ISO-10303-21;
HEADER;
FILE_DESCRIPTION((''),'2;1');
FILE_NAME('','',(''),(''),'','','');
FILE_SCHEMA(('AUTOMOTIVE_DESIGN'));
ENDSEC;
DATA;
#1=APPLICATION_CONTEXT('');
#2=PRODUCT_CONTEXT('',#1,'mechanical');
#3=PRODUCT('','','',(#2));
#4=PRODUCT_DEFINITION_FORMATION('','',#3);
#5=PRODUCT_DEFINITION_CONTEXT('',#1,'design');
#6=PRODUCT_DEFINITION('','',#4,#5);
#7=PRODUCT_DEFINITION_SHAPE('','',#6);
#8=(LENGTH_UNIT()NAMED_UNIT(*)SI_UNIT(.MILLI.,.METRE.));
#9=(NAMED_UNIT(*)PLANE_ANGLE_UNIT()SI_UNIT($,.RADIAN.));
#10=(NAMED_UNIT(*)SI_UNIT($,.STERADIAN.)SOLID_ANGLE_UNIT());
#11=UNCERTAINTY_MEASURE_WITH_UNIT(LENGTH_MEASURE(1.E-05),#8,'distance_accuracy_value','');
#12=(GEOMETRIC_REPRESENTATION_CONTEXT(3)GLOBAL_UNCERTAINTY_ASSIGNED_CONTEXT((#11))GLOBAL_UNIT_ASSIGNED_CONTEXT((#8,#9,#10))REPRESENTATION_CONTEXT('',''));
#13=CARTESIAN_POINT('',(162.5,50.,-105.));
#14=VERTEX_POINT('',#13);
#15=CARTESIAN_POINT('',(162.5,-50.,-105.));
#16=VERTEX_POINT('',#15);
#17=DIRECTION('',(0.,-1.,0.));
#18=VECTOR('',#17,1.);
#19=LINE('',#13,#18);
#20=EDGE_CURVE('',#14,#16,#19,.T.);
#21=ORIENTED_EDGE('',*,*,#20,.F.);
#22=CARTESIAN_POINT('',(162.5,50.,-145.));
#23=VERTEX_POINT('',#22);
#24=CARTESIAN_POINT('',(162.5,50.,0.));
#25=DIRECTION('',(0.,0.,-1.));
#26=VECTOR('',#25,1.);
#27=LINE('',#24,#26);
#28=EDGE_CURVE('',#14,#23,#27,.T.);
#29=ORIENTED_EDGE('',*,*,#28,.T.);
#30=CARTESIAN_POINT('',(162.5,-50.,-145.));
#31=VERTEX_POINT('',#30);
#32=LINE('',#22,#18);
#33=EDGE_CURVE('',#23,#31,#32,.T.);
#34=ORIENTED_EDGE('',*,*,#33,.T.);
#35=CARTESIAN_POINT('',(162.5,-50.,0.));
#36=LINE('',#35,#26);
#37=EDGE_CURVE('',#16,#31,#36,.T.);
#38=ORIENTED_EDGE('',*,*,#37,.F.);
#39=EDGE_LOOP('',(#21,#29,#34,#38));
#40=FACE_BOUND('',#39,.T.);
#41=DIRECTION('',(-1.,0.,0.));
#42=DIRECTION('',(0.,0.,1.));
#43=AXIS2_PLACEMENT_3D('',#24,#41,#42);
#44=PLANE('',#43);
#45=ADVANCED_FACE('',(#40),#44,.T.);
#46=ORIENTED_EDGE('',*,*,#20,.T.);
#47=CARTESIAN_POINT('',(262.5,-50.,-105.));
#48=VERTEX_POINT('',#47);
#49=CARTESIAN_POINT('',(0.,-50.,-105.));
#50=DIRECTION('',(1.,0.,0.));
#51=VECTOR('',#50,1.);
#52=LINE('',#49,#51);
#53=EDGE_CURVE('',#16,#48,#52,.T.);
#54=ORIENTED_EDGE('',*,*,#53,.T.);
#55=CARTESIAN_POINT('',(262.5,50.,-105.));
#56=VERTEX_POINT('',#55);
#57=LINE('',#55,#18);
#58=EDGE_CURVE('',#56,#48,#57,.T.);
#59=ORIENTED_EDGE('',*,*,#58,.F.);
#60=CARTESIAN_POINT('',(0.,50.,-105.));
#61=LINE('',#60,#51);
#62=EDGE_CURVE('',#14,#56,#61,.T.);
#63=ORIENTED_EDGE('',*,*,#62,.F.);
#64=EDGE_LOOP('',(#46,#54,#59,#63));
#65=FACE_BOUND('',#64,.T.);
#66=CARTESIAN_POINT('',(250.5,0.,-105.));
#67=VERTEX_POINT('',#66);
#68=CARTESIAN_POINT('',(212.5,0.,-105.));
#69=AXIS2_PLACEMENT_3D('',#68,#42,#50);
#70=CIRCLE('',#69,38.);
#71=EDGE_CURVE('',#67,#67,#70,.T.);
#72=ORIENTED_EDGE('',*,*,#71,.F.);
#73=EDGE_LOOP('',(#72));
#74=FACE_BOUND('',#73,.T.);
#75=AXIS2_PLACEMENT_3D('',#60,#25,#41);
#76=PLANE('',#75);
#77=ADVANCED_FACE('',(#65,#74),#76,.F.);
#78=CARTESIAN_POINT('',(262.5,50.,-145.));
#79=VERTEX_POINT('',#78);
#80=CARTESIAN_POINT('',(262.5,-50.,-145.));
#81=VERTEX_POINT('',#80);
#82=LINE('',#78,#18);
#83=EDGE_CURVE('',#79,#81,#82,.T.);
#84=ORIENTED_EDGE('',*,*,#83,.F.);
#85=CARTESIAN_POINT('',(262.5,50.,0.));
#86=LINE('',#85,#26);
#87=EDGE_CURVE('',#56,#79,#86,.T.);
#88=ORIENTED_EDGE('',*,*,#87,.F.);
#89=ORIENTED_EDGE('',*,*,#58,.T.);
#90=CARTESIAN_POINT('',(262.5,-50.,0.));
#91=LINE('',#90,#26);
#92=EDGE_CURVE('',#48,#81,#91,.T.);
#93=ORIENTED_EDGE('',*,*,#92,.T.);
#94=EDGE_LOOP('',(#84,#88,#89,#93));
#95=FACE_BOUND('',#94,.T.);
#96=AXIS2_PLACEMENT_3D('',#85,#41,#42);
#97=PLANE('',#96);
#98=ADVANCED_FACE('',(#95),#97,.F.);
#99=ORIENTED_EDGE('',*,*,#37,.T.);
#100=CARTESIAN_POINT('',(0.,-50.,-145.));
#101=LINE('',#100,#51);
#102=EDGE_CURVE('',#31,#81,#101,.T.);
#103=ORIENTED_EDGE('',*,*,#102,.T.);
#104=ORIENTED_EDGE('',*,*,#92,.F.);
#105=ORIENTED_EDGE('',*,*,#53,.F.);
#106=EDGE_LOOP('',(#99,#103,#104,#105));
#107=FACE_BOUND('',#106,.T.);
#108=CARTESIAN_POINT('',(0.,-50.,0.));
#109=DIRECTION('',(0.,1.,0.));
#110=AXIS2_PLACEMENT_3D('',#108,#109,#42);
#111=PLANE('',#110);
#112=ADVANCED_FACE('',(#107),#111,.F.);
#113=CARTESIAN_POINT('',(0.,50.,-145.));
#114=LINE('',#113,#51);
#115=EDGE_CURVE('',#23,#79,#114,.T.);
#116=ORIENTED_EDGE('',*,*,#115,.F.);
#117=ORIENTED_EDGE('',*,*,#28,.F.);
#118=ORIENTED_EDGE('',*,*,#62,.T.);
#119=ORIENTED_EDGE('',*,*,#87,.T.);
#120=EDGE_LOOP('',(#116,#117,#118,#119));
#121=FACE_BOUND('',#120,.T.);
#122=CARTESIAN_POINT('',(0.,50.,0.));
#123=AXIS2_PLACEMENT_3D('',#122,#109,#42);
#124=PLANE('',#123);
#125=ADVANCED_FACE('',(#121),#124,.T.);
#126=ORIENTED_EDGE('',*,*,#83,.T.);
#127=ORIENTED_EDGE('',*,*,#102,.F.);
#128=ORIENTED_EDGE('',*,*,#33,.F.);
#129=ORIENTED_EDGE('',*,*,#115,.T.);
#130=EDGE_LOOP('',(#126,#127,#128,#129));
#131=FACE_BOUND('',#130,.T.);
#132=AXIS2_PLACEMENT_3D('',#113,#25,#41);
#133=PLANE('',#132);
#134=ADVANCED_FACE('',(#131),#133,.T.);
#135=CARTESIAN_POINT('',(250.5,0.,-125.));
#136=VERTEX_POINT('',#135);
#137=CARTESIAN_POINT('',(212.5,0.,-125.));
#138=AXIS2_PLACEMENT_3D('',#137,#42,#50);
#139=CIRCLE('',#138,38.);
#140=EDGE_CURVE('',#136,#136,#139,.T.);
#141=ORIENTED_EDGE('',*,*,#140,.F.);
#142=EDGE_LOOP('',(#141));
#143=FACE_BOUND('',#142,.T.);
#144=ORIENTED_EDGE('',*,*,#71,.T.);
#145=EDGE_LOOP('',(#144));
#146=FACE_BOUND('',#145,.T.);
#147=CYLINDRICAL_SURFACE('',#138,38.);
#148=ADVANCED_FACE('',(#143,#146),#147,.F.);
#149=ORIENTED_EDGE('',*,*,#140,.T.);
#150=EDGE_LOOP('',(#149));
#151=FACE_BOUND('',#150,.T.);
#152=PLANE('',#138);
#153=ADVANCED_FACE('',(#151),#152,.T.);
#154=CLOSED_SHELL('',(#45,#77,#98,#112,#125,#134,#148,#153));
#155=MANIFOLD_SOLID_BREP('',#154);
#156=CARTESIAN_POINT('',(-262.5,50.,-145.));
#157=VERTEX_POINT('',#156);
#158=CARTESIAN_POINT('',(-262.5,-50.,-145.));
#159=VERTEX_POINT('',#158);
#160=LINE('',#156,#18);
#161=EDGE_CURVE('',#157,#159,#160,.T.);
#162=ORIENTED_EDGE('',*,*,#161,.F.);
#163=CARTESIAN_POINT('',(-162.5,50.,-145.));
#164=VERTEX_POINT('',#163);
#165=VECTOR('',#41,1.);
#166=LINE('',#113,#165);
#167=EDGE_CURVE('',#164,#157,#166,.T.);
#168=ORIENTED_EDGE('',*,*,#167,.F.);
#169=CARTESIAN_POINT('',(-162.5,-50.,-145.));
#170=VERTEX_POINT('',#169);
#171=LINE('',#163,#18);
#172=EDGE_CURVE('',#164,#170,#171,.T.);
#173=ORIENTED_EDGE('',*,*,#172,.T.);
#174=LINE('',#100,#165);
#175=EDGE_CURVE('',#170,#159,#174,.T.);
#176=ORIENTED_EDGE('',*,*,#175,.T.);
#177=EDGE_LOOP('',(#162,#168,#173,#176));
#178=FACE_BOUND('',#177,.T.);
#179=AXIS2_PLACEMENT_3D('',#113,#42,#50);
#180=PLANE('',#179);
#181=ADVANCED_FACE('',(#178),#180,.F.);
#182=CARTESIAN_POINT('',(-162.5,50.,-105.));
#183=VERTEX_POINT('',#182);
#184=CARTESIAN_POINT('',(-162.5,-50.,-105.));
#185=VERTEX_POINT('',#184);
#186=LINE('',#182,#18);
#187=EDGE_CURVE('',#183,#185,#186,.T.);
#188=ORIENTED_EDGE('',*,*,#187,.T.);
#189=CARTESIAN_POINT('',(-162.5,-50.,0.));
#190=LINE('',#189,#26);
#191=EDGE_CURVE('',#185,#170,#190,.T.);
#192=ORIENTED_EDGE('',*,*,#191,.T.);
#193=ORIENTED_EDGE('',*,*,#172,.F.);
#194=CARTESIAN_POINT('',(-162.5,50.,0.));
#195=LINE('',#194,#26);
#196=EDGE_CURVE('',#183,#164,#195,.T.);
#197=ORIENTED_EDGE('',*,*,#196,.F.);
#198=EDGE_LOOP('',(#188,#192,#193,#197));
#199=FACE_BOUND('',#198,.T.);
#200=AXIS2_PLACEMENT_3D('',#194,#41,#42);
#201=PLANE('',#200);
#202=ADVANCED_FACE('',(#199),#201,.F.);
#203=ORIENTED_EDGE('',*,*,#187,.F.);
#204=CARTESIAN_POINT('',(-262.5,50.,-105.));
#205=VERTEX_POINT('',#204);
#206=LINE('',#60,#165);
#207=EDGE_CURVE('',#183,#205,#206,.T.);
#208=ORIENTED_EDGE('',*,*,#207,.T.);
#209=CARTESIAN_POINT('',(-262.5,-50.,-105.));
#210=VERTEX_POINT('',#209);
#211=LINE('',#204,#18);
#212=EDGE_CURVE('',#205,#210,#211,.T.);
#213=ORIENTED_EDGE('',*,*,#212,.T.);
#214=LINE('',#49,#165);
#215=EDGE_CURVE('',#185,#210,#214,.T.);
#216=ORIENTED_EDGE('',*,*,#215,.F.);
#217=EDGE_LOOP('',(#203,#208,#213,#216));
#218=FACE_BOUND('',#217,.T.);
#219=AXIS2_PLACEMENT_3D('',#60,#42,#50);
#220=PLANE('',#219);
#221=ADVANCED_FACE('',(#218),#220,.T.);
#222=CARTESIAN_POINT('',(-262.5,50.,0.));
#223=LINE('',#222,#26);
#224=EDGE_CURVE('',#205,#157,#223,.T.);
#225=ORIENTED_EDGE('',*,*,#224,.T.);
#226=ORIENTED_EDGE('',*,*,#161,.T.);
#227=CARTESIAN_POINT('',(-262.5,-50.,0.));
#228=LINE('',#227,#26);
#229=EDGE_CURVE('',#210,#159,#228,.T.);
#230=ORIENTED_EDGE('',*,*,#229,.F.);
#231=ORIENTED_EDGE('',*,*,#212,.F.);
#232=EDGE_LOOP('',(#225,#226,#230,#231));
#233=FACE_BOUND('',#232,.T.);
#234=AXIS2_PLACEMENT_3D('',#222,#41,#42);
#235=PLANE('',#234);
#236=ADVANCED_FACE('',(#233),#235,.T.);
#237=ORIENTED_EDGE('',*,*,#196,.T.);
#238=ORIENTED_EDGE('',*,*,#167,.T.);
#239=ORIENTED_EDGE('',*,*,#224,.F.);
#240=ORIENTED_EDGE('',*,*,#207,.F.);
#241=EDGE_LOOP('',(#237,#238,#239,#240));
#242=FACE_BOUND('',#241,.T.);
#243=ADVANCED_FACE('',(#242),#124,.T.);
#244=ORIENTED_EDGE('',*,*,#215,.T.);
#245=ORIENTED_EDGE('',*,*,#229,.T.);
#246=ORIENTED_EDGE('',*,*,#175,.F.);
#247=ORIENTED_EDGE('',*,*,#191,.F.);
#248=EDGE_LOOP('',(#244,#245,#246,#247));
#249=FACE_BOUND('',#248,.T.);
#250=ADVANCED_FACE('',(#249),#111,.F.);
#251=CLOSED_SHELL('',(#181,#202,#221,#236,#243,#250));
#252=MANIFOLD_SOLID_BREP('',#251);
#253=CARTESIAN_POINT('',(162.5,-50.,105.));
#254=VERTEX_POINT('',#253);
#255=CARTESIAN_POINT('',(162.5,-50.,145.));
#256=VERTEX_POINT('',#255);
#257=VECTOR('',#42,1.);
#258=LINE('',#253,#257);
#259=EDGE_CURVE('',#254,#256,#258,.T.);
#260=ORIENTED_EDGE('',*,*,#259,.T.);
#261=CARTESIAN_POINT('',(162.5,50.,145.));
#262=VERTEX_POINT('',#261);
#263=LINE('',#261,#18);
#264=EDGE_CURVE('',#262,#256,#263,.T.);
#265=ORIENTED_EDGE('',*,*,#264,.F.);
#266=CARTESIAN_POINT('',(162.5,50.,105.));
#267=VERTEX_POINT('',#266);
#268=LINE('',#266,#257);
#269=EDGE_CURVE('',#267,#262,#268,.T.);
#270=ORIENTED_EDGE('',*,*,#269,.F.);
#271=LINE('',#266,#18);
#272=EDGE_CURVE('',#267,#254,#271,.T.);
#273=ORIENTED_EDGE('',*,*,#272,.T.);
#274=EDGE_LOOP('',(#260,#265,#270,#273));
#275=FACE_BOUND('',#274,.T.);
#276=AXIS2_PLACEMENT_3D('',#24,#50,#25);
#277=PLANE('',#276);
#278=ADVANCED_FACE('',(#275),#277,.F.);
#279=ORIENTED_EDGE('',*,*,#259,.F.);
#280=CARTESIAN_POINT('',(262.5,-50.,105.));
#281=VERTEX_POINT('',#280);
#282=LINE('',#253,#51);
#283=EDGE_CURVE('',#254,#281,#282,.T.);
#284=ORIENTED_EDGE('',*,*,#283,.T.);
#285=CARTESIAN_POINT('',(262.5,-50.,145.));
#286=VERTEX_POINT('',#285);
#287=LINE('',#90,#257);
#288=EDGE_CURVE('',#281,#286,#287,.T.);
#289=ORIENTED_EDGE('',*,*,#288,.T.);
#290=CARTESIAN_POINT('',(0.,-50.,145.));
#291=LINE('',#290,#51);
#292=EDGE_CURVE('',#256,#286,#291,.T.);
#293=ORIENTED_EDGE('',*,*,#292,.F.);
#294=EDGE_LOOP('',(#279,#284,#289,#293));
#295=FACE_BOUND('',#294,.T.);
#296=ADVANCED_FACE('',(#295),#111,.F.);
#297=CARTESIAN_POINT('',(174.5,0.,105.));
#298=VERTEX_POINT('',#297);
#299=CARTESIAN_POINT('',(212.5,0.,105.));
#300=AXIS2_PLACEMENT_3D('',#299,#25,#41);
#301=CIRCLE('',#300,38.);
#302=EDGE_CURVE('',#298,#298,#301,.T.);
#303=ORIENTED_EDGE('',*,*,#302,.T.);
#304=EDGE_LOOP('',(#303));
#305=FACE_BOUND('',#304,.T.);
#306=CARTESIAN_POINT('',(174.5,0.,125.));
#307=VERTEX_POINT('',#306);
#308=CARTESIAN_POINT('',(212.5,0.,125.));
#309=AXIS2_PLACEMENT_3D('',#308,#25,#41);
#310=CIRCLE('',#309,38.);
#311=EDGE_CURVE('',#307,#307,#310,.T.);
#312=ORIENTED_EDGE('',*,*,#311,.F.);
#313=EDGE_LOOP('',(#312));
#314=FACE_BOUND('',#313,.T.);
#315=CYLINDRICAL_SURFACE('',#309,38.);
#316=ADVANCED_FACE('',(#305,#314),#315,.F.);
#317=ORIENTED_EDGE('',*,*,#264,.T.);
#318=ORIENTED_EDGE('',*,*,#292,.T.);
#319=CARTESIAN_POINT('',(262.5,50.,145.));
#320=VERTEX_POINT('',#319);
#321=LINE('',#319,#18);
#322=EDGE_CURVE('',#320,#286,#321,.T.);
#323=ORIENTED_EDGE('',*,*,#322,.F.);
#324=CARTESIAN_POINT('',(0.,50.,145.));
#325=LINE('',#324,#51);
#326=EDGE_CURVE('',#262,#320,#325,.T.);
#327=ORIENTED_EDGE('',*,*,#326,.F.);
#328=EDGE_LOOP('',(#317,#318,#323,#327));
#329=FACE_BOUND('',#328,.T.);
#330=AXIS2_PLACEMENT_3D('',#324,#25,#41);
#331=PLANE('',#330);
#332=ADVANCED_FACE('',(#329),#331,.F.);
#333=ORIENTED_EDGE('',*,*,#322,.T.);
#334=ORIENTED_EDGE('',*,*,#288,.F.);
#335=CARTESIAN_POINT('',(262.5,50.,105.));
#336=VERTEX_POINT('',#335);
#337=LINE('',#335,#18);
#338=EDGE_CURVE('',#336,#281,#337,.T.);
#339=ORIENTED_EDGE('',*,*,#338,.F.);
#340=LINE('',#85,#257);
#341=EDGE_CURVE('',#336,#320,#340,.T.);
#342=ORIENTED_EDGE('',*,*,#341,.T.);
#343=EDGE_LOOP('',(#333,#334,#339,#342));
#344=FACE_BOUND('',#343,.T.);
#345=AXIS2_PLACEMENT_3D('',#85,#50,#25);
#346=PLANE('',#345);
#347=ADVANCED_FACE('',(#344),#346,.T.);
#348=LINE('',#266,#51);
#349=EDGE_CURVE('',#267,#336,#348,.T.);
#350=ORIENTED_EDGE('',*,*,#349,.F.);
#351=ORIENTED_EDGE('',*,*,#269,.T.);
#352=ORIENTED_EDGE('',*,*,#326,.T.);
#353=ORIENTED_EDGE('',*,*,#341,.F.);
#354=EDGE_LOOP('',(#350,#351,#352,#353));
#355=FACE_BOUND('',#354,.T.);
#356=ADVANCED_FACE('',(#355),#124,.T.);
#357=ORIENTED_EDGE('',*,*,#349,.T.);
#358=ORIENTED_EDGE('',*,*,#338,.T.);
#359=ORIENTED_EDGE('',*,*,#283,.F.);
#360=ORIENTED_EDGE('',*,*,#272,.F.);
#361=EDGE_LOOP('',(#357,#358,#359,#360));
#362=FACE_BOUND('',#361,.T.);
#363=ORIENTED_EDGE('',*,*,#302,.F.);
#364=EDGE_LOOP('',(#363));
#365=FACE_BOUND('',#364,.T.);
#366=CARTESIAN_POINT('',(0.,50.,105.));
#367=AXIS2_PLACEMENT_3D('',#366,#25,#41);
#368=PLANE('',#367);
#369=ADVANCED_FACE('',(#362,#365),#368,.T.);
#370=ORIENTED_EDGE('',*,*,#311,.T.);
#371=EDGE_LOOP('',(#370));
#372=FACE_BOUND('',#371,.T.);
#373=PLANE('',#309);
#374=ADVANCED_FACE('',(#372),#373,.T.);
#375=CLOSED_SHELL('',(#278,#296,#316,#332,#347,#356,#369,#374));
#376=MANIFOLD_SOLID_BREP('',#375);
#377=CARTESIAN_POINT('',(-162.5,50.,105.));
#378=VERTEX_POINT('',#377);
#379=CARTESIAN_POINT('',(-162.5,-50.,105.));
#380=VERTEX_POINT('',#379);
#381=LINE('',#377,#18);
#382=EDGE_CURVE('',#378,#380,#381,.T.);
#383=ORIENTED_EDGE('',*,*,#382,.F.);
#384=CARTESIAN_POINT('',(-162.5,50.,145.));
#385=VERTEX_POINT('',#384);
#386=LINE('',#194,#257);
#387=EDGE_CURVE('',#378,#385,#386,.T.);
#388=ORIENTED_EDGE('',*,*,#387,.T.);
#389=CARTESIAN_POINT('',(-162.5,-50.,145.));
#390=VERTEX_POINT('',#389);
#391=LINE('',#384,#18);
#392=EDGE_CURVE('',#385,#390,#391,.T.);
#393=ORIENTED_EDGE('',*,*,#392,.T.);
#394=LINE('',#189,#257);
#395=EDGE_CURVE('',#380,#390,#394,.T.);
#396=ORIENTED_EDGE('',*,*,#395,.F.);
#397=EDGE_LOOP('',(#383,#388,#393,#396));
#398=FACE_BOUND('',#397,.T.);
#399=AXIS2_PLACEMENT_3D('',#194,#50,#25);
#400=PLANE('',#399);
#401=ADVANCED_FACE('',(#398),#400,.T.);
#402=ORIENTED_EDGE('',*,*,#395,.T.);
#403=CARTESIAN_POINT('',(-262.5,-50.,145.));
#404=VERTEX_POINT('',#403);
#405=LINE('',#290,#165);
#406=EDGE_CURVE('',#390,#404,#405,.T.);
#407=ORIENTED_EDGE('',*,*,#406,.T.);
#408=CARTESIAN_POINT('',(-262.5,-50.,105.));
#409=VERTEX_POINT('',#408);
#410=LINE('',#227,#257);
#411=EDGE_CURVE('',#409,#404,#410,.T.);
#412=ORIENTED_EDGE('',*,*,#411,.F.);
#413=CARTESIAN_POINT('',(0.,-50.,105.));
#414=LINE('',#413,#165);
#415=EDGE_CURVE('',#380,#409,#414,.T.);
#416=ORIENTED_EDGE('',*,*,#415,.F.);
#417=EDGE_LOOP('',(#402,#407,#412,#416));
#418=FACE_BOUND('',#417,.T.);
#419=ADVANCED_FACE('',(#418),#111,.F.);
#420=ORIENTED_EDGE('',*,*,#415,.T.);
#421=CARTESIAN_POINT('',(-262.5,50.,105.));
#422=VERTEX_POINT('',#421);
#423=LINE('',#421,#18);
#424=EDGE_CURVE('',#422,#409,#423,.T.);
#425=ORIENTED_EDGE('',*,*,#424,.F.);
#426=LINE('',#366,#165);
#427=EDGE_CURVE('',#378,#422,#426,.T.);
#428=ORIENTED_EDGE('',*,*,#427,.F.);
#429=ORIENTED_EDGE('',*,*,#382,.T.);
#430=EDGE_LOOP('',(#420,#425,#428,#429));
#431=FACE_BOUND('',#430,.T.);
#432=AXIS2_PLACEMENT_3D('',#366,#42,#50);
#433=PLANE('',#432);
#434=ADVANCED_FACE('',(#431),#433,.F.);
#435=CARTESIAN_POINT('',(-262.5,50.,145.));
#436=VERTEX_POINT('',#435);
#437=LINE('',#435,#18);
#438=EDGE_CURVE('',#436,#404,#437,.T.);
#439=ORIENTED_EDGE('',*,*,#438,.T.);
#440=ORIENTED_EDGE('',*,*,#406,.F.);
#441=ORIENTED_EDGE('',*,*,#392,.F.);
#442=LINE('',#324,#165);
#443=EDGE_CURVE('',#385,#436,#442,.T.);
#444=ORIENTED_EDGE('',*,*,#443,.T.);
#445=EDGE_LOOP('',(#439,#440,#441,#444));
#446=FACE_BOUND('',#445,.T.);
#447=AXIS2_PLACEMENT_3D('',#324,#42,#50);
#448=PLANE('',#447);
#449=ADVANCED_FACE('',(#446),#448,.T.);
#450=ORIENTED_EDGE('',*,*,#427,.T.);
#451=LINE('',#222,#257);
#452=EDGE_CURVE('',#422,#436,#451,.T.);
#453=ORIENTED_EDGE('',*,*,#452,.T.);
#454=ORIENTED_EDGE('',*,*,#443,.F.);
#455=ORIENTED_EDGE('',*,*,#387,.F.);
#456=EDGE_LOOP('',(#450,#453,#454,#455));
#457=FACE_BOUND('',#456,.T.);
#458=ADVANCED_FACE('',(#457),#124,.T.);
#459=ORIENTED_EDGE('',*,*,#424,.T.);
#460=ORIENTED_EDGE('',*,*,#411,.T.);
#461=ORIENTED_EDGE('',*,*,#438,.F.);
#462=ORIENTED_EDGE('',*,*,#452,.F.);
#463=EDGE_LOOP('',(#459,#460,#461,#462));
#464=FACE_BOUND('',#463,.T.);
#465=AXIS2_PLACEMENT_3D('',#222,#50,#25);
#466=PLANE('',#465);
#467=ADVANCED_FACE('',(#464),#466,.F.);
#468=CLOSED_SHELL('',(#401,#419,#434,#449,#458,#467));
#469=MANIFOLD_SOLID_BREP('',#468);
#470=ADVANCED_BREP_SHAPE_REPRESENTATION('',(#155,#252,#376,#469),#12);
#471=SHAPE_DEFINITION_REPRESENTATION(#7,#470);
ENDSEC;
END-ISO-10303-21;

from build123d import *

# Parameters (mm, degrees)
SKETCH1_W             = 100
SKETCH1_H             = 40
BOSS_EXTRUDE1_DEPTH   = 50
BOSS_EXTRUDE1_2_DEPTH = 50
BOSS_EXTRUDE1_3_DEPTH = 50
BOSS_EXTRUDE1_4_DEPTH = 50
SKETCH3_R             = 38
CUT_EXTRUDE5_DEPTH    = 20
SKETCH4_R             = 38
CUT_EXTRUDE6_DEPTH    = 20


with BuildPart() as part:
    # Sketch1 → Boss-Extrude1 (new body, symmetric)
    with BuildSketch(Plane(origin=(0, 0, 0), x_dir=(1, 0, 0), z_dir=(0, 1, 0))):
        with Locations((212.5, 125)):
            Rectangle(SKETCH1_W, SKETCH1_H)
    extrude(amount=BOSS_EXTRUDE1_DEPTH, both=True)

    # Sketch4 → Cut-Extrude6 (cut)
    with BuildSketch(Plane.XY.offset(-105)):
        with Locations((212.5, 0)):
            Circle(SKETCH4_R)
    extrude(amount=-CUT_EXTRUDE6_DEPTH, mode=Mode.SUBTRACT)


with BuildPart() as body_2:
    # Sketch1 → Boss-Extrude1 2 (new body, symmetric)
    with BuildSketch(Plane(origin=(0, 0, 0), x_dir=(1, 0, 0), z_dir=(0, 1, 0))):
        with Locations((212.5, -125)):
            Rectangle(SKETCH1_W, SKETCH1_H)
    extrude(amount=BOSS_EXTRUDE1_2_DEPTH, both=True)

    # Sketch3 → Cut-Extrude5 (cut)
    with BuildSketch(Plane(origin=(0, 0, 105), x_dir=(-1, 0, 0), z_dir=(0, 0, -1))):
        with Locations((-212.5, 0)):
            Circle(SKETCH3_R)
    extrude(amount=-CUT_EXTRUDE5_DEPTH, mode=Mode.SUBTRACT)


with BuildPart() as body_3:
    # Sketch1 → Boss-Extrude1 3 (new body, symmetric)
    with BuildSketch(Plane(origin=(0, 0, 0), x_dir=(1, 0, 0), z_dir=(0, 1, 0))):
        with Locations((-212.5, -125)):
            Rectangle(SKETCH1_W, SKETCH1_H)
    extrude(amount=BOSS_EXTRUDE1_3_DEPTH, both=True)


with BuildPart() as body_4:
    # Sketch1 → Boss-Extrude1 4 (new body, symmetric)
    with BuildSketch(Plane(origin=(0, 0, 0), x_dir=(1, 0, 0), z_dir=(0, 1, 0))):
        with Locations((-212.5, 125)):
            Rectangle(SKETCH1_W, SKETCH1_H)
    extrude(amount=BOSS_EXTRUDE1_4_DEPTH, both=True)


solid = Compound([part.part, body_2.part, body_3.part, body_4.part])
